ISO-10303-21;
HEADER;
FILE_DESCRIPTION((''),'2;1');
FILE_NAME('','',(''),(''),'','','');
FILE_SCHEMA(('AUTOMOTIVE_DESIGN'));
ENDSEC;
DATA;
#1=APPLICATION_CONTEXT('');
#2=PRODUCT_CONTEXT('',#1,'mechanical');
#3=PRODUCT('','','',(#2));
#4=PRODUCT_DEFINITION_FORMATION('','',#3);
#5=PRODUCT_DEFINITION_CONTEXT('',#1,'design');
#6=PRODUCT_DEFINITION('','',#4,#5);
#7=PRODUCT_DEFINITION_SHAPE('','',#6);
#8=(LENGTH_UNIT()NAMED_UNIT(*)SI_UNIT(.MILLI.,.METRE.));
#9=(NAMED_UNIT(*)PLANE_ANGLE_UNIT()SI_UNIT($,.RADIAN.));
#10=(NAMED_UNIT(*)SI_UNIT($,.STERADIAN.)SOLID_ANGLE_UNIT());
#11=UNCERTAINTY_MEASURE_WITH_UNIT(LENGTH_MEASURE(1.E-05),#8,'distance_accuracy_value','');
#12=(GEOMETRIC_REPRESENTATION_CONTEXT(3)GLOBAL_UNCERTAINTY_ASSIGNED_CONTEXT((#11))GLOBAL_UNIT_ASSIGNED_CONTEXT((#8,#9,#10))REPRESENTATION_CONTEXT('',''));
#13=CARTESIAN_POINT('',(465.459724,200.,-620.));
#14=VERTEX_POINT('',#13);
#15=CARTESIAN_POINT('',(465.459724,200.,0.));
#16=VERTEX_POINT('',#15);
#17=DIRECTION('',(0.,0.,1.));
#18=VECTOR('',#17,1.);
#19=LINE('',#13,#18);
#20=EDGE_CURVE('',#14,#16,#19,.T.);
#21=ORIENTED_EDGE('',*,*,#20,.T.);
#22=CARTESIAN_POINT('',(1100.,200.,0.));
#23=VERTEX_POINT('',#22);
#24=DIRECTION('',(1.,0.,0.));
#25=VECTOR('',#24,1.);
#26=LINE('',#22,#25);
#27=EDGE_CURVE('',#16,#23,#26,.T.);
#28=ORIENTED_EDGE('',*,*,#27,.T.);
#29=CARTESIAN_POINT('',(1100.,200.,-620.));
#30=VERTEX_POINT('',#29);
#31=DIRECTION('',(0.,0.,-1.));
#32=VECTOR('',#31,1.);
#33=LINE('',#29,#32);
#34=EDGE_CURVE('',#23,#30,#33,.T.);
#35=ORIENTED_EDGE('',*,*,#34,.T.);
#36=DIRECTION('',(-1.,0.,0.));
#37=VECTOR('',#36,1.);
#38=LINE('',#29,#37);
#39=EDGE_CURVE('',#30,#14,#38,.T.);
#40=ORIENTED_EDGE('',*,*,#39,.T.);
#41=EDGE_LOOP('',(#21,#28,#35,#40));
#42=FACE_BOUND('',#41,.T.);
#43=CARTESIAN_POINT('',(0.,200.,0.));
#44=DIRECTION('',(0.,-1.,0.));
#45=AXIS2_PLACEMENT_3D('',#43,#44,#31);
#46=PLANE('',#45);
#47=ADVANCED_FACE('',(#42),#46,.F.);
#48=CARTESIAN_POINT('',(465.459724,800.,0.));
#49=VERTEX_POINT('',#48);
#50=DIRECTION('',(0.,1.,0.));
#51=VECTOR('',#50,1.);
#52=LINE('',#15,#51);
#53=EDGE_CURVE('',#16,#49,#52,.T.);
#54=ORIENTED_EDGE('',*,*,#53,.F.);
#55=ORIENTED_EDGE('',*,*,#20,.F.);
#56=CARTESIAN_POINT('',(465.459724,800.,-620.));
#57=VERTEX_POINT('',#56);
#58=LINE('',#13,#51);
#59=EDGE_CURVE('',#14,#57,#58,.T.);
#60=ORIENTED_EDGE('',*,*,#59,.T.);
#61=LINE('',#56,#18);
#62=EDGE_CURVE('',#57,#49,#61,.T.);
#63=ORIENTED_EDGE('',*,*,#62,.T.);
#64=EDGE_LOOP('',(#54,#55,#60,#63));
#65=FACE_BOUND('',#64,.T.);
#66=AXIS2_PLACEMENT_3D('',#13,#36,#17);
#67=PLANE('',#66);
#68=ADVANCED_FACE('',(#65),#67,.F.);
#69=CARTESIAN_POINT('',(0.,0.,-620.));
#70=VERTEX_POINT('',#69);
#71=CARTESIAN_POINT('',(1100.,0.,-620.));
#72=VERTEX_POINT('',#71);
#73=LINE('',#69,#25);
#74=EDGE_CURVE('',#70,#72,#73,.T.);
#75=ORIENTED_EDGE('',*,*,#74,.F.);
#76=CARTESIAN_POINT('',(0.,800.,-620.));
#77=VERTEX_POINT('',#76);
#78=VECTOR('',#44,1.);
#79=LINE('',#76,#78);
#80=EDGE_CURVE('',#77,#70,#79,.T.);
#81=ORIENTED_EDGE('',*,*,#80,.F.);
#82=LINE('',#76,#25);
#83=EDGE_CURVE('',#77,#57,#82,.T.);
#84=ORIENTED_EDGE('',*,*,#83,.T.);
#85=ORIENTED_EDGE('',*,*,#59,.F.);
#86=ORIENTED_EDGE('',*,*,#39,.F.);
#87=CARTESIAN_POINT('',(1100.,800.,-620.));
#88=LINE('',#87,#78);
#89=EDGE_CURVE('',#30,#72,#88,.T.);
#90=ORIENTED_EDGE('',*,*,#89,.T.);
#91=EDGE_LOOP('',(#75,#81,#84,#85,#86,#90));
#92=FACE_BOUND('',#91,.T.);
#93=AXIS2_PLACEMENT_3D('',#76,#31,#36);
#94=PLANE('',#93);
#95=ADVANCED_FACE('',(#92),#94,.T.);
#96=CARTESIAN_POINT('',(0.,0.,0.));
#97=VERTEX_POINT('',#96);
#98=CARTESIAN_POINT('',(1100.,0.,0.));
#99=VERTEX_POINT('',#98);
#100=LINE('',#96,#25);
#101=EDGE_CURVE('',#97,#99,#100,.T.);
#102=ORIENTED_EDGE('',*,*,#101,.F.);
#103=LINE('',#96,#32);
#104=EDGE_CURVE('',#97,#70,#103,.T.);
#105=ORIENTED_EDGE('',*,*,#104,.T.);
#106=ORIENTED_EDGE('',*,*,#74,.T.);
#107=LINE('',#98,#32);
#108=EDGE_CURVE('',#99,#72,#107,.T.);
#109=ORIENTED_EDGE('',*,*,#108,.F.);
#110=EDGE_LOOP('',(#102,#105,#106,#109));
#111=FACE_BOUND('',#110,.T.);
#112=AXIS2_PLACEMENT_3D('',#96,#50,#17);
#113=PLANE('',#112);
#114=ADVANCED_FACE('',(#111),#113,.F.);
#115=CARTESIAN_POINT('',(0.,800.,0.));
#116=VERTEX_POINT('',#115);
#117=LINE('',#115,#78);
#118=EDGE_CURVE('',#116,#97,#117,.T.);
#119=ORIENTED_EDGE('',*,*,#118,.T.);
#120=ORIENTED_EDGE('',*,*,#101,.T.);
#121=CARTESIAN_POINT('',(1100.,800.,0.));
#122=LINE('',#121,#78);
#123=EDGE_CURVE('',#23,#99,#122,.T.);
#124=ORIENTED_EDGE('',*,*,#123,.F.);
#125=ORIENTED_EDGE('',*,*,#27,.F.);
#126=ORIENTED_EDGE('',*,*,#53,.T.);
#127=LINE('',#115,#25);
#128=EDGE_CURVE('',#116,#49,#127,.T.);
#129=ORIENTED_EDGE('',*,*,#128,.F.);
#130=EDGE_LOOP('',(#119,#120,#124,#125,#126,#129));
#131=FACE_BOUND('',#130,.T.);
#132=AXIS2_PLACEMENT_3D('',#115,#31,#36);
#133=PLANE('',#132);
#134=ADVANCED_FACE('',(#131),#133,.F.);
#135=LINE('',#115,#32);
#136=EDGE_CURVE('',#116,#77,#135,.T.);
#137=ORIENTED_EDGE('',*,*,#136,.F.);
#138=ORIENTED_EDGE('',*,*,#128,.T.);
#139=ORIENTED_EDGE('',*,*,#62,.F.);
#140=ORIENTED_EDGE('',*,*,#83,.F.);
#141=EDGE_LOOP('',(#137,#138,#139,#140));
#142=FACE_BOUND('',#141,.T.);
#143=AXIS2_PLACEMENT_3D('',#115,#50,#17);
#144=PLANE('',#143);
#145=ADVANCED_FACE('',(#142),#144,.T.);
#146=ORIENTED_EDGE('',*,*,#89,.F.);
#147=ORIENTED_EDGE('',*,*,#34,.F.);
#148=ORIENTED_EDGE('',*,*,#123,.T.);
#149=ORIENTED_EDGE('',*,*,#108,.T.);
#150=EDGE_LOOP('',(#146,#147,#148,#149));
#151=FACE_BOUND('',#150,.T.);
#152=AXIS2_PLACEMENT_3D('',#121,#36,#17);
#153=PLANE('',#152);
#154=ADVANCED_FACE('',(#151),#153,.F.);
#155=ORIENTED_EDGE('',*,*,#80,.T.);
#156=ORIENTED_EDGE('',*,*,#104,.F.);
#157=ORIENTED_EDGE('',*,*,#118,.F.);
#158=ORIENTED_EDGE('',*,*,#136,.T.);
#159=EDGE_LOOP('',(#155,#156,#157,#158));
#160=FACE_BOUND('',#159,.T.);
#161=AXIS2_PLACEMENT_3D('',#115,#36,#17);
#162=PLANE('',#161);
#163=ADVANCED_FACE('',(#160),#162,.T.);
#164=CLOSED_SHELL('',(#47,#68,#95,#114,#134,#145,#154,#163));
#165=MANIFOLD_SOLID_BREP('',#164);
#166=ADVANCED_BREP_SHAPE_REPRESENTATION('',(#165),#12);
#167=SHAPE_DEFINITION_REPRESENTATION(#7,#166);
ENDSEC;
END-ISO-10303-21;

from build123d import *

# Parameters (mm, degrees)
SKETCH_1_W          = 1100
SKETCH_1_H          = 620
EXTRUDE_1_DEPTH     = 800
SKETCH_2_W          = 634.540276059
SKETCH_2_H          = 620
CUT_EXTRUDE_1_DEPTH = 600


with BuildPart() as part:
    # Эскиз1 → Бобышка-Вытянуть1 (new body)
    with BuildSketch(Plane(origin=(0, 0, 0), x_dir=(1, 0, 0), z_dir=(0, 1, 0))):
        with Locations((550, 310)):
            Rectangle(SKETCH_1_W, SKETCH_1_H)
    extrude(amount=EXTRUDE_1_DEPTH)

    # Эскиз2 → Вырез-Вытянуть1 (cut)
    with BuildSketch(Plane(origin=(0, 800, 0), x_dir=(1, 0, 0), z_dir=(0, 1, 0))):
        with Locations((782.72986197, 310)):
            Rectangle(SKETCH_2_W, SKETCH_2_H)
    extrude(amount=-CUT_EXTRUDE_1_DEPTH, mode=Mode.SUBTRACT)


solid = part.part
